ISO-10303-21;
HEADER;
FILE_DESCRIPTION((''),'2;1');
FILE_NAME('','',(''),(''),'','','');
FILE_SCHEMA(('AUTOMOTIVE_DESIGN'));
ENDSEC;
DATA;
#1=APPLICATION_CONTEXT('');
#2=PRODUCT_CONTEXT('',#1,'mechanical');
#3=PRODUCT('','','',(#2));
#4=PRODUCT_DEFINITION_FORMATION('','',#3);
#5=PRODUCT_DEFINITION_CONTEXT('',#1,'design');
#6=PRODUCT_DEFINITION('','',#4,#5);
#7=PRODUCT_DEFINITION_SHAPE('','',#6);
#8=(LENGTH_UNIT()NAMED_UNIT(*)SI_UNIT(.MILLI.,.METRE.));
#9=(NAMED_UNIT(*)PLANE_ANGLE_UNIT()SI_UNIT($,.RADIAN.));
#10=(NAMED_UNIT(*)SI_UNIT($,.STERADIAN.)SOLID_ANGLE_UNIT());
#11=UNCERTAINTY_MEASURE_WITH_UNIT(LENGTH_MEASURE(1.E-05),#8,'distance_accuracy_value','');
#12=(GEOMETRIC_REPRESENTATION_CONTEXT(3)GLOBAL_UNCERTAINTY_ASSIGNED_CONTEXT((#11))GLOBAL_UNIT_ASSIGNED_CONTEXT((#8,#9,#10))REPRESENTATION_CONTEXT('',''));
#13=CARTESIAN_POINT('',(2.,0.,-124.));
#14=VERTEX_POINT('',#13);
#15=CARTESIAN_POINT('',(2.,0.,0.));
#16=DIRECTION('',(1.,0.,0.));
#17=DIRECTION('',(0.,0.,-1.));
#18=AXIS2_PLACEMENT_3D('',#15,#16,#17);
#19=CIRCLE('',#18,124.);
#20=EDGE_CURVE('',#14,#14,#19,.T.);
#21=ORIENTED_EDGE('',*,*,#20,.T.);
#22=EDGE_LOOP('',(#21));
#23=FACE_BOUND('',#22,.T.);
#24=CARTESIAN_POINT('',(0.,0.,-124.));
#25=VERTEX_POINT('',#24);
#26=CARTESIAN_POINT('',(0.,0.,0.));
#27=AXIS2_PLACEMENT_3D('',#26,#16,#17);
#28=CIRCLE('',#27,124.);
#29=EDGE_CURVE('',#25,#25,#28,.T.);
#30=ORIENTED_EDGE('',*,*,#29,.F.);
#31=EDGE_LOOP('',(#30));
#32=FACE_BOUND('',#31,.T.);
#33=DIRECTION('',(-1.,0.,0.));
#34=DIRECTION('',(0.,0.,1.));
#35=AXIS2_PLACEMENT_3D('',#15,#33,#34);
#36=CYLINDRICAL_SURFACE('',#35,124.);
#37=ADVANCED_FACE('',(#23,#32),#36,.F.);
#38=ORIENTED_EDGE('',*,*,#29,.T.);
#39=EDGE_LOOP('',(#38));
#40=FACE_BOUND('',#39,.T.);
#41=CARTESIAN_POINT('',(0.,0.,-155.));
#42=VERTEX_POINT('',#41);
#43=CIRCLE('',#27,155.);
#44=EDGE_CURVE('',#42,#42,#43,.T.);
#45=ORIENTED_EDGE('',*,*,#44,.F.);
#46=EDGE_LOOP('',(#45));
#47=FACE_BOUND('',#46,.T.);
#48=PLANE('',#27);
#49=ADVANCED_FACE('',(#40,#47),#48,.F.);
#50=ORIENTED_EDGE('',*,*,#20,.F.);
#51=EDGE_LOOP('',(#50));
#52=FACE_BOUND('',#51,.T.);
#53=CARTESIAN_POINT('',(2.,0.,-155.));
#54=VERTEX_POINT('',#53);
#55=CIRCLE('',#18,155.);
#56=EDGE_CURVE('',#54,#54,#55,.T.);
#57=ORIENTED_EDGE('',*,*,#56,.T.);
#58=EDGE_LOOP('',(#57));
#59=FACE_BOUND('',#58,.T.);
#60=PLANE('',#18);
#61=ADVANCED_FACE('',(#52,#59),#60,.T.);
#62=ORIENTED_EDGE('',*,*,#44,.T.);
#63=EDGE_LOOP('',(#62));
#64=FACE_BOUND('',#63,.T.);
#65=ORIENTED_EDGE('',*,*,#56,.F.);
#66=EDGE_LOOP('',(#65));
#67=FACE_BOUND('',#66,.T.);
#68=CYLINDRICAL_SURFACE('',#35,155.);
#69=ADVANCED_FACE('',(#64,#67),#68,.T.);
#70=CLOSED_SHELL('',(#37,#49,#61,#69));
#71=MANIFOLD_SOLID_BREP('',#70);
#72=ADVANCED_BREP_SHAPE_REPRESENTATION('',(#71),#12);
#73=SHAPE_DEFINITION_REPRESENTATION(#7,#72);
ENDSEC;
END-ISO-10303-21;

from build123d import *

# Parameters (mm, degrees)
SKETCH1_R           = 155
SKETCH1_R_2         = 124
BOSS_EXTRUDE1_DEPTH = 2


with BuildPart() as part:
    # Sketch1 → Boss-Extrude1 (new body)
    with BuildSketch(Plane(origin=(0, 0, 0), x_dir=(0, 0, -1), z_dir=(1, 0, 0))):
        Circle(SKETCH1_R)
        Circle(SKETCH1_R_2, mode=Mode.SUBTRACT)
    extrude(amount=BOSS_EXTRUDE1_DEPTH)


solid = part.part
